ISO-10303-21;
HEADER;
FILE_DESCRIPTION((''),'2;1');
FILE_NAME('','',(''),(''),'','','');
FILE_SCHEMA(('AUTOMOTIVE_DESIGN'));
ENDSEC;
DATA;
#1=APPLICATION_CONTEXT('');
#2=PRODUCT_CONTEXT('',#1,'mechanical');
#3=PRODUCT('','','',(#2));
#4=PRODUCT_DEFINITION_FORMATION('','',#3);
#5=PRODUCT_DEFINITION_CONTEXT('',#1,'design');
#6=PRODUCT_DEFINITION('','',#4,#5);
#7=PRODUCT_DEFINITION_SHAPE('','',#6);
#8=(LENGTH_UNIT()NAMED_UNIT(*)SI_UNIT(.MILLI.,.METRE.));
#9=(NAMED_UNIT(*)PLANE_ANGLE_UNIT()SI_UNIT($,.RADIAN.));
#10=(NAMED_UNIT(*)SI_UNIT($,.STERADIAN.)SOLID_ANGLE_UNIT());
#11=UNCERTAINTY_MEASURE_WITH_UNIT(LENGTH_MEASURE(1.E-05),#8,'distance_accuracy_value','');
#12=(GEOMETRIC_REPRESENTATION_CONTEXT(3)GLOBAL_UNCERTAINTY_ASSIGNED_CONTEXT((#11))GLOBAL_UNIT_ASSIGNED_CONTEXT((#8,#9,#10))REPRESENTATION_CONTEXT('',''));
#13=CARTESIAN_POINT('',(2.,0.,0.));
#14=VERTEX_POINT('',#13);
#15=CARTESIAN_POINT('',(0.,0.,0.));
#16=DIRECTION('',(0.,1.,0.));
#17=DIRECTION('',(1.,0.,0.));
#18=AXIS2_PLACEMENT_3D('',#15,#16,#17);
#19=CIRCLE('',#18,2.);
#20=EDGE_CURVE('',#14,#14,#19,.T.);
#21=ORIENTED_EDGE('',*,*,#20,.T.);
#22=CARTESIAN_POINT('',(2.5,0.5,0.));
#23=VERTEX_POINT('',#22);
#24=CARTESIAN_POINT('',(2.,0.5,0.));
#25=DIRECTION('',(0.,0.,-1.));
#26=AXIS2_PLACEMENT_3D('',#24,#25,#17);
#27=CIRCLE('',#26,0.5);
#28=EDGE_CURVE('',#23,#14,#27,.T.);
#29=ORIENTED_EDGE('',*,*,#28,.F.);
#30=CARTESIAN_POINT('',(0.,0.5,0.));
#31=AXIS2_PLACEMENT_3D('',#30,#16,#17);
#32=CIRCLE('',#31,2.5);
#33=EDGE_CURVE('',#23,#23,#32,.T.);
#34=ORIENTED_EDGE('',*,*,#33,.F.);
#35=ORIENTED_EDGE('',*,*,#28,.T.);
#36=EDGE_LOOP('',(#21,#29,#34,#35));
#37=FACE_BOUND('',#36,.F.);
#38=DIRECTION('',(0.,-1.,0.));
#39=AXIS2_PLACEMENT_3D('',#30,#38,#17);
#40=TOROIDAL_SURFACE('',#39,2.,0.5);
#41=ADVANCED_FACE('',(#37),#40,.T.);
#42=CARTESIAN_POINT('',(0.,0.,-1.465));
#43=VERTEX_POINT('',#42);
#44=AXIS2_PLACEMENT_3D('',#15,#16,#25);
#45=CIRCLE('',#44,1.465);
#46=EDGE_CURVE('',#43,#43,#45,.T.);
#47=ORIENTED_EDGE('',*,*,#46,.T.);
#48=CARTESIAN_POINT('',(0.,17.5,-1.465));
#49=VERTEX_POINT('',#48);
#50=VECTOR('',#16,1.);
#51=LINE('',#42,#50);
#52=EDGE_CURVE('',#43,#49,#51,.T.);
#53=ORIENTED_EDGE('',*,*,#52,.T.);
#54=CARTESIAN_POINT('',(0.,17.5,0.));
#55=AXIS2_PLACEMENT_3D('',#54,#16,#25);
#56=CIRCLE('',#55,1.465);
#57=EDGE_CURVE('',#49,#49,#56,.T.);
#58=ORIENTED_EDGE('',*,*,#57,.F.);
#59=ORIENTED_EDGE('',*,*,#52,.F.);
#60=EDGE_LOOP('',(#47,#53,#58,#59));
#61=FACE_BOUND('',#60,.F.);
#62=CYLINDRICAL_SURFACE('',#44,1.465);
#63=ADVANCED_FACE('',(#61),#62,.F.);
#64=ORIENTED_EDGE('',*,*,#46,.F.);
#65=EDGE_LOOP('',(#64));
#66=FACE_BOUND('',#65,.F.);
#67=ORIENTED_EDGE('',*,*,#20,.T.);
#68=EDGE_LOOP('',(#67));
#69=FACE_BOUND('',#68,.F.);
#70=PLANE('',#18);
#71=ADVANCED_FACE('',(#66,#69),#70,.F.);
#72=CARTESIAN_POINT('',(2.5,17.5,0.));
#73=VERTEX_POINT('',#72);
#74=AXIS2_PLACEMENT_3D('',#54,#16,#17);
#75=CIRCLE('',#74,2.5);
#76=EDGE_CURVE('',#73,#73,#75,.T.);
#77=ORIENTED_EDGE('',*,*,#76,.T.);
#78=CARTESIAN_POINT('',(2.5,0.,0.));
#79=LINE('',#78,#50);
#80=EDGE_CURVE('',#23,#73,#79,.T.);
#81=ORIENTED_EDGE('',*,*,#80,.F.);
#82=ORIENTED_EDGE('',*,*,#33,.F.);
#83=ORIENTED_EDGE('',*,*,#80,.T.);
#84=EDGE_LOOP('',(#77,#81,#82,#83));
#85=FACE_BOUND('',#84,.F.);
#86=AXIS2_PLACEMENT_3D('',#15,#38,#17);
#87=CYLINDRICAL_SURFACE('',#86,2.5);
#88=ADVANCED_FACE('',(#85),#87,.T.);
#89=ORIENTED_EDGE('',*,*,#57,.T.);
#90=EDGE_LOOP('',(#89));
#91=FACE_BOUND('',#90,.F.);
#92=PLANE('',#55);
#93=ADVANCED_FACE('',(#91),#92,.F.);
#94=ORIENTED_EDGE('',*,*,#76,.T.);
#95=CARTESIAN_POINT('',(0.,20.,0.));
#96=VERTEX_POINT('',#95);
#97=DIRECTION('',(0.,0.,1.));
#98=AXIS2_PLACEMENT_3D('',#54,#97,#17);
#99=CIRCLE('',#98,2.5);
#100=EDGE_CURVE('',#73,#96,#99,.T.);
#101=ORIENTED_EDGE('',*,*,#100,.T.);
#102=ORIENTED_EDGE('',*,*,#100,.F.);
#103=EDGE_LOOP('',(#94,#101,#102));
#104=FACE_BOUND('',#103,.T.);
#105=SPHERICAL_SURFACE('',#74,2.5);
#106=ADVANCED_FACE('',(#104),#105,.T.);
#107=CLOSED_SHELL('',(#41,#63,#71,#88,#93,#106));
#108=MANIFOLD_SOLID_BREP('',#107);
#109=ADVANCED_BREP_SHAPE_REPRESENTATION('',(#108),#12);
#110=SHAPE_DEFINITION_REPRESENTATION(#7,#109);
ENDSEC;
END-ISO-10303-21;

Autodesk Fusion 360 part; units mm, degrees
sketch "Sketch1" plane through (0, 0, 0) normal (0, 1, 0) x (1, 0, 0)
  circle A0 centre (0, 0) radius 2.5
  dimension "d1" = 5
extrude "Extrude1" add sketch "Sketch1" along normal blind 20
sketch "Sketch2" plane through (0, 0, 0) normal (0, 0, 1) x (1, 0, 0)
  line L0 (0, 0) -> (0, 15)
  line L1 (0, 15) -> (0, 17.5)
  dimension "d4" = 15
  dimension "d5" = 2.5
fillet "Fillet1" radius 2.5 1 faces at (-0.8863, 20, -0.2321)
sketch "Sketch3" plane through (0, 0, 0) normal (0, -1, 0) x (1, 0, 0)
  circle A0 centre (0, 0) radius 2.5
  circle A1 centre (0, 0) radius 1.5
  dimension "d8" = 3
hole "Hole1" at (0, 0, 0) direction (0, 1, 0) diameter 2.93 depth 17.5 tip angle 180
fillet "Fillet2" radius 0.5 1 edges at (-2.3308, 0, 0.904)
